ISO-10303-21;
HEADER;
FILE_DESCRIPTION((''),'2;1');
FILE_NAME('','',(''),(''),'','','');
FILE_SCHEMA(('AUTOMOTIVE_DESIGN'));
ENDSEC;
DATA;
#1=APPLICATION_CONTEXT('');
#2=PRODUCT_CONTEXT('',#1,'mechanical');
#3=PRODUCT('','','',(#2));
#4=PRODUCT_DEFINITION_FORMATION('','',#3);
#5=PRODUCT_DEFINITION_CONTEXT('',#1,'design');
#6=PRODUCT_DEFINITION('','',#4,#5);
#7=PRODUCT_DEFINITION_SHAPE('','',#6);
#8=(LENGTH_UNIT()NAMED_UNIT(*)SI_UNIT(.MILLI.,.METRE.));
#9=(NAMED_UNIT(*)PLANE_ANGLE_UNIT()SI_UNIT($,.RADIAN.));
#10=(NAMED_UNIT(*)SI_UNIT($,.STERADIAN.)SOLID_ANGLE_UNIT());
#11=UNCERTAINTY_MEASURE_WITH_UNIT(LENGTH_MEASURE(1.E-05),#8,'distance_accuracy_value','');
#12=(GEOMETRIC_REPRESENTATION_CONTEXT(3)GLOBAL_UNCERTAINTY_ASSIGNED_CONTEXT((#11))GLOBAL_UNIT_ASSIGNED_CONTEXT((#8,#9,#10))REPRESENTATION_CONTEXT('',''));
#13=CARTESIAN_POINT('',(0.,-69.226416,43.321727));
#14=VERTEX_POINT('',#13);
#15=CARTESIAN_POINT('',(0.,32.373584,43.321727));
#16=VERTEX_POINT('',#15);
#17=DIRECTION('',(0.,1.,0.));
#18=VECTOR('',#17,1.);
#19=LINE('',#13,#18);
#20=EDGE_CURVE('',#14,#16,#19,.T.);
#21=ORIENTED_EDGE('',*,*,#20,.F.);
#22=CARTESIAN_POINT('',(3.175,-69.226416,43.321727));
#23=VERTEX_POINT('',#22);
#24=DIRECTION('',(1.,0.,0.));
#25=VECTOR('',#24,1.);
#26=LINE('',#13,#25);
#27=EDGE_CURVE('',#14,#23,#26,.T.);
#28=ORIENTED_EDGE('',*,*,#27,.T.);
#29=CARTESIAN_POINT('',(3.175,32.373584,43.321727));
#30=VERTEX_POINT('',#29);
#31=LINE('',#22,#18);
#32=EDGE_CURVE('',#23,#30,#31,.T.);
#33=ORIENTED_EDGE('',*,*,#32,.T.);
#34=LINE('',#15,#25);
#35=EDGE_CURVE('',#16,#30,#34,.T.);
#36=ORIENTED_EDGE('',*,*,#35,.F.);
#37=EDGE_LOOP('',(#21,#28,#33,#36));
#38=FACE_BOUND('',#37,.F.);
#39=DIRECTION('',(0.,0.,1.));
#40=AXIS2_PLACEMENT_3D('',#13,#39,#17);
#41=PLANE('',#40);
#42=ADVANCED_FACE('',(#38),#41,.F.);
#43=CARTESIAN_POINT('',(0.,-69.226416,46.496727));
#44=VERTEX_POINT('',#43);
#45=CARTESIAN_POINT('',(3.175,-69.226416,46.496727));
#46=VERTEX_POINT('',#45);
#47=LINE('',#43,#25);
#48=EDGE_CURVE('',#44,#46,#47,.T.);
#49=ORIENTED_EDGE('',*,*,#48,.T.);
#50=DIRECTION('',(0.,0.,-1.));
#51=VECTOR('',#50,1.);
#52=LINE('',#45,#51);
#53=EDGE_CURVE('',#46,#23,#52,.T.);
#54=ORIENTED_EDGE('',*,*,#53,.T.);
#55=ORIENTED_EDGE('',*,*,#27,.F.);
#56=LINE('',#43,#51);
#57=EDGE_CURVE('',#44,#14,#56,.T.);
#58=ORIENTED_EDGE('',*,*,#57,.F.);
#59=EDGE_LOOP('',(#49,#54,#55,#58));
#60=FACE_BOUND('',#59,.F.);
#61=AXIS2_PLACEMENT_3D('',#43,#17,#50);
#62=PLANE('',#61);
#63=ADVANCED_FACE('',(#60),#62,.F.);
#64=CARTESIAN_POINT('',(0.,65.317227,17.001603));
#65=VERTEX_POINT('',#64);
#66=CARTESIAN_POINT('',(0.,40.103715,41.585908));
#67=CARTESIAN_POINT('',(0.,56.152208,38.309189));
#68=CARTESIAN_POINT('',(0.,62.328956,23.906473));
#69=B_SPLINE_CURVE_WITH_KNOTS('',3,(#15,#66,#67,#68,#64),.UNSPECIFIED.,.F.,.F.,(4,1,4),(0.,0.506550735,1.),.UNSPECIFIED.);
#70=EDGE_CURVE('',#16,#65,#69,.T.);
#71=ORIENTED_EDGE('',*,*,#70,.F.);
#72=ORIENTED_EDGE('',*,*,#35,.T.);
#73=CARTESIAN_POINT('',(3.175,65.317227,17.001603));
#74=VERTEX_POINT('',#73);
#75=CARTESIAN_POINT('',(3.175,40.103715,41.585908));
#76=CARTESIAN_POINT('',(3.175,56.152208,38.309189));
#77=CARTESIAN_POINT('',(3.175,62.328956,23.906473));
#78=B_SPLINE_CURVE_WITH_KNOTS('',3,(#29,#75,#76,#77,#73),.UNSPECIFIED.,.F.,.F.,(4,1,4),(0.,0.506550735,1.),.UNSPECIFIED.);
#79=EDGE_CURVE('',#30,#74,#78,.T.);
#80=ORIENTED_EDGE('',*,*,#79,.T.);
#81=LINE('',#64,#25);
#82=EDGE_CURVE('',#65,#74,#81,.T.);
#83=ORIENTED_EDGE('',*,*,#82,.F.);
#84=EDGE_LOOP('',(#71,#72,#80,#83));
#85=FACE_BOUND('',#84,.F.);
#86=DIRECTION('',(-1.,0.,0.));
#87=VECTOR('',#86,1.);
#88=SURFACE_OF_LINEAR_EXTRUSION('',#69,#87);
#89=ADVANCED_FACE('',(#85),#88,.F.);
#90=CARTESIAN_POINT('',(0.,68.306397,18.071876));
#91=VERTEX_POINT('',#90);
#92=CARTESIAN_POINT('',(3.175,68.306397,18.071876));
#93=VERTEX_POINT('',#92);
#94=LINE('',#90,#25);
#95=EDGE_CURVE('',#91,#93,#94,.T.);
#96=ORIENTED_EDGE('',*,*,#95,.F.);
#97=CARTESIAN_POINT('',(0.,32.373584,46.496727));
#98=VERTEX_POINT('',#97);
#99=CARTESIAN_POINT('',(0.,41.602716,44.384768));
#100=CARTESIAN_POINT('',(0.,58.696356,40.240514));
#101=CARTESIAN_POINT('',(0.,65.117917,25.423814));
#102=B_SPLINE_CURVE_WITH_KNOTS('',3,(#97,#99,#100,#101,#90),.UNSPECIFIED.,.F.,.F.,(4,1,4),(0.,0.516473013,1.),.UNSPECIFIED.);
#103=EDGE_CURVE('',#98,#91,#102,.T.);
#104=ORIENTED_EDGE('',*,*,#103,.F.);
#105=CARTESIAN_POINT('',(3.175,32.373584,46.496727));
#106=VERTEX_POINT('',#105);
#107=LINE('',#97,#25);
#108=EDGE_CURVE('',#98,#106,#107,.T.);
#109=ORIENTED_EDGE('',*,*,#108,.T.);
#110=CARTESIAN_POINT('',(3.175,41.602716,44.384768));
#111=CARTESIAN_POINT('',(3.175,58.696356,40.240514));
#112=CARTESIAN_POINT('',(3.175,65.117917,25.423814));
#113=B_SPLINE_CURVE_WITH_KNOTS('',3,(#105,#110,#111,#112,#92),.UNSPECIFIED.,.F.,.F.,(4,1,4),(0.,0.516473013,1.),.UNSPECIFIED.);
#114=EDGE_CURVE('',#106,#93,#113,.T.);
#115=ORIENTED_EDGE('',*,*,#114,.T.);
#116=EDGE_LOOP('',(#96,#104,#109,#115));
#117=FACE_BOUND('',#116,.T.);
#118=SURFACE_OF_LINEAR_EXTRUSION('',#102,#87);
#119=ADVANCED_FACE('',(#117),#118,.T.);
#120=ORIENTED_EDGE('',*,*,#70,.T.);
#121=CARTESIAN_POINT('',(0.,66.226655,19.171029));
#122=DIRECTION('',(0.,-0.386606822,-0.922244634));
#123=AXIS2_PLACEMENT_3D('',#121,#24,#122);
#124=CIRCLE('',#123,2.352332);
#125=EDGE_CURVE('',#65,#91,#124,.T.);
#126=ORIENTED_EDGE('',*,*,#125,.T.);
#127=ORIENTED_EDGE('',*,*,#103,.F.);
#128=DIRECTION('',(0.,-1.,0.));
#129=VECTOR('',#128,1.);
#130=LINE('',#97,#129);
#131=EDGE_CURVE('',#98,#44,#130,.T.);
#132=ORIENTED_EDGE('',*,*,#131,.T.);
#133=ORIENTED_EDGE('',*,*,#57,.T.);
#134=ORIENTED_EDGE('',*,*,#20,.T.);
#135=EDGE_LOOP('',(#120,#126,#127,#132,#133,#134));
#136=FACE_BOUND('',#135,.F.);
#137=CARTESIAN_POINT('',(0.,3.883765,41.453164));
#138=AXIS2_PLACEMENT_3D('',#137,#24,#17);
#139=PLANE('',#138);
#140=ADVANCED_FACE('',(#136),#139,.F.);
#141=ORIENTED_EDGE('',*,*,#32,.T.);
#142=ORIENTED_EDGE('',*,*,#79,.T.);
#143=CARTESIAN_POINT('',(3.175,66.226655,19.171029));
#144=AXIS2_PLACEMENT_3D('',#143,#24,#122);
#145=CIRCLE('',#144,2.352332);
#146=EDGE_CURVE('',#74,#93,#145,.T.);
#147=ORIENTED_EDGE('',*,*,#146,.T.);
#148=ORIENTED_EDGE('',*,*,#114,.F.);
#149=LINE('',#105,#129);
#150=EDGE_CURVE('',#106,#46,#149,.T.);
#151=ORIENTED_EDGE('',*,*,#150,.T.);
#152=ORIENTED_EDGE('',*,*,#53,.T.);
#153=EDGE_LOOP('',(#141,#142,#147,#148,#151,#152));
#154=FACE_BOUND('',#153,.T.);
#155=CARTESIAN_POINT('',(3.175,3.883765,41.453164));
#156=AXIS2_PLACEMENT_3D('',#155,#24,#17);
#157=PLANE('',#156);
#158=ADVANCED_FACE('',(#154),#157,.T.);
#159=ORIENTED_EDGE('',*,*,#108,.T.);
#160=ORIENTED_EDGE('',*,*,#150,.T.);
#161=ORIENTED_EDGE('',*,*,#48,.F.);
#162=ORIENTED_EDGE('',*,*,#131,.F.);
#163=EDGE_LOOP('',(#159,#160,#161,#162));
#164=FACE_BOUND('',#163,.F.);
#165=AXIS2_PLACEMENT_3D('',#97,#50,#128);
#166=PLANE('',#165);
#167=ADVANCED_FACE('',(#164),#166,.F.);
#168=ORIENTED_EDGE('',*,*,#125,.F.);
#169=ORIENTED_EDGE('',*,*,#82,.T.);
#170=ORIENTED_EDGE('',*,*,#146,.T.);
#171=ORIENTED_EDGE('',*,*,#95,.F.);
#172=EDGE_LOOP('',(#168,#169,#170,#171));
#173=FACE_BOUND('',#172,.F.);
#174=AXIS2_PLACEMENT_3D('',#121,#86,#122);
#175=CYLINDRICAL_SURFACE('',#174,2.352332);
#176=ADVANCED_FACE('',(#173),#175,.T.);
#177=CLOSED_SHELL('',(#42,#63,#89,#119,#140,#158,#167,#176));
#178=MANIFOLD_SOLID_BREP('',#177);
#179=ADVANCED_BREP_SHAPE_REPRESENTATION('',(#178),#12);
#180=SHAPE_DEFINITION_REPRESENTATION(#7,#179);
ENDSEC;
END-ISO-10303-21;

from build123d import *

# Parameters (mm, degrees)
F1_DEPTH = 3.175


with BuildPart() as f1:
    # F0 (on Right) → F1 (new body)
    with BuildSketch(Plane.YZ):
        with BuildLine():
            Line((32.3735841409, 46.4967269772), (-69.2264158591, 46.4967269772))
            Line((-69.2264158591, 46.4967269772), (-69.2264158591, 43.3217269772))
            Line((-69.2264158591, 43.3217269772), (32.3735841409, 43.3217269772))
            add(Edge.make_bspline(
                [(32.3735841409, 43.3217269772), (40.1037151422, 41.5859075553), (56.1522076839, 38.3091894063), (62.3289564765, 23.9064734527), (65.3172269017, 17.0016034988)],
                knots=[0, 0, 0, 0, 0.5065507355, 1, 1, 1, 1], degree=3))
            ThreePointArc((65.3172269017, 17.0016034988), (67.019611396, 16.9563765811), (68.3063974825, 18.0718764727))
            add(Edge.make_bspline(
                [(32.3735841409, 46.4967269772), (41.6027162123, 44.3847681792), (58.6963557591, 40.2405138129), (65.1179171958, 25.4238142536), (68.3063974825, 18.0718764727)],
                knots=[0, 0, 0, 0, 0.5164730128, 1, 1, 1, 1], degree=3))
        make_face()
    extrude(amount=F1_DEPTH)


solid = f1.part
